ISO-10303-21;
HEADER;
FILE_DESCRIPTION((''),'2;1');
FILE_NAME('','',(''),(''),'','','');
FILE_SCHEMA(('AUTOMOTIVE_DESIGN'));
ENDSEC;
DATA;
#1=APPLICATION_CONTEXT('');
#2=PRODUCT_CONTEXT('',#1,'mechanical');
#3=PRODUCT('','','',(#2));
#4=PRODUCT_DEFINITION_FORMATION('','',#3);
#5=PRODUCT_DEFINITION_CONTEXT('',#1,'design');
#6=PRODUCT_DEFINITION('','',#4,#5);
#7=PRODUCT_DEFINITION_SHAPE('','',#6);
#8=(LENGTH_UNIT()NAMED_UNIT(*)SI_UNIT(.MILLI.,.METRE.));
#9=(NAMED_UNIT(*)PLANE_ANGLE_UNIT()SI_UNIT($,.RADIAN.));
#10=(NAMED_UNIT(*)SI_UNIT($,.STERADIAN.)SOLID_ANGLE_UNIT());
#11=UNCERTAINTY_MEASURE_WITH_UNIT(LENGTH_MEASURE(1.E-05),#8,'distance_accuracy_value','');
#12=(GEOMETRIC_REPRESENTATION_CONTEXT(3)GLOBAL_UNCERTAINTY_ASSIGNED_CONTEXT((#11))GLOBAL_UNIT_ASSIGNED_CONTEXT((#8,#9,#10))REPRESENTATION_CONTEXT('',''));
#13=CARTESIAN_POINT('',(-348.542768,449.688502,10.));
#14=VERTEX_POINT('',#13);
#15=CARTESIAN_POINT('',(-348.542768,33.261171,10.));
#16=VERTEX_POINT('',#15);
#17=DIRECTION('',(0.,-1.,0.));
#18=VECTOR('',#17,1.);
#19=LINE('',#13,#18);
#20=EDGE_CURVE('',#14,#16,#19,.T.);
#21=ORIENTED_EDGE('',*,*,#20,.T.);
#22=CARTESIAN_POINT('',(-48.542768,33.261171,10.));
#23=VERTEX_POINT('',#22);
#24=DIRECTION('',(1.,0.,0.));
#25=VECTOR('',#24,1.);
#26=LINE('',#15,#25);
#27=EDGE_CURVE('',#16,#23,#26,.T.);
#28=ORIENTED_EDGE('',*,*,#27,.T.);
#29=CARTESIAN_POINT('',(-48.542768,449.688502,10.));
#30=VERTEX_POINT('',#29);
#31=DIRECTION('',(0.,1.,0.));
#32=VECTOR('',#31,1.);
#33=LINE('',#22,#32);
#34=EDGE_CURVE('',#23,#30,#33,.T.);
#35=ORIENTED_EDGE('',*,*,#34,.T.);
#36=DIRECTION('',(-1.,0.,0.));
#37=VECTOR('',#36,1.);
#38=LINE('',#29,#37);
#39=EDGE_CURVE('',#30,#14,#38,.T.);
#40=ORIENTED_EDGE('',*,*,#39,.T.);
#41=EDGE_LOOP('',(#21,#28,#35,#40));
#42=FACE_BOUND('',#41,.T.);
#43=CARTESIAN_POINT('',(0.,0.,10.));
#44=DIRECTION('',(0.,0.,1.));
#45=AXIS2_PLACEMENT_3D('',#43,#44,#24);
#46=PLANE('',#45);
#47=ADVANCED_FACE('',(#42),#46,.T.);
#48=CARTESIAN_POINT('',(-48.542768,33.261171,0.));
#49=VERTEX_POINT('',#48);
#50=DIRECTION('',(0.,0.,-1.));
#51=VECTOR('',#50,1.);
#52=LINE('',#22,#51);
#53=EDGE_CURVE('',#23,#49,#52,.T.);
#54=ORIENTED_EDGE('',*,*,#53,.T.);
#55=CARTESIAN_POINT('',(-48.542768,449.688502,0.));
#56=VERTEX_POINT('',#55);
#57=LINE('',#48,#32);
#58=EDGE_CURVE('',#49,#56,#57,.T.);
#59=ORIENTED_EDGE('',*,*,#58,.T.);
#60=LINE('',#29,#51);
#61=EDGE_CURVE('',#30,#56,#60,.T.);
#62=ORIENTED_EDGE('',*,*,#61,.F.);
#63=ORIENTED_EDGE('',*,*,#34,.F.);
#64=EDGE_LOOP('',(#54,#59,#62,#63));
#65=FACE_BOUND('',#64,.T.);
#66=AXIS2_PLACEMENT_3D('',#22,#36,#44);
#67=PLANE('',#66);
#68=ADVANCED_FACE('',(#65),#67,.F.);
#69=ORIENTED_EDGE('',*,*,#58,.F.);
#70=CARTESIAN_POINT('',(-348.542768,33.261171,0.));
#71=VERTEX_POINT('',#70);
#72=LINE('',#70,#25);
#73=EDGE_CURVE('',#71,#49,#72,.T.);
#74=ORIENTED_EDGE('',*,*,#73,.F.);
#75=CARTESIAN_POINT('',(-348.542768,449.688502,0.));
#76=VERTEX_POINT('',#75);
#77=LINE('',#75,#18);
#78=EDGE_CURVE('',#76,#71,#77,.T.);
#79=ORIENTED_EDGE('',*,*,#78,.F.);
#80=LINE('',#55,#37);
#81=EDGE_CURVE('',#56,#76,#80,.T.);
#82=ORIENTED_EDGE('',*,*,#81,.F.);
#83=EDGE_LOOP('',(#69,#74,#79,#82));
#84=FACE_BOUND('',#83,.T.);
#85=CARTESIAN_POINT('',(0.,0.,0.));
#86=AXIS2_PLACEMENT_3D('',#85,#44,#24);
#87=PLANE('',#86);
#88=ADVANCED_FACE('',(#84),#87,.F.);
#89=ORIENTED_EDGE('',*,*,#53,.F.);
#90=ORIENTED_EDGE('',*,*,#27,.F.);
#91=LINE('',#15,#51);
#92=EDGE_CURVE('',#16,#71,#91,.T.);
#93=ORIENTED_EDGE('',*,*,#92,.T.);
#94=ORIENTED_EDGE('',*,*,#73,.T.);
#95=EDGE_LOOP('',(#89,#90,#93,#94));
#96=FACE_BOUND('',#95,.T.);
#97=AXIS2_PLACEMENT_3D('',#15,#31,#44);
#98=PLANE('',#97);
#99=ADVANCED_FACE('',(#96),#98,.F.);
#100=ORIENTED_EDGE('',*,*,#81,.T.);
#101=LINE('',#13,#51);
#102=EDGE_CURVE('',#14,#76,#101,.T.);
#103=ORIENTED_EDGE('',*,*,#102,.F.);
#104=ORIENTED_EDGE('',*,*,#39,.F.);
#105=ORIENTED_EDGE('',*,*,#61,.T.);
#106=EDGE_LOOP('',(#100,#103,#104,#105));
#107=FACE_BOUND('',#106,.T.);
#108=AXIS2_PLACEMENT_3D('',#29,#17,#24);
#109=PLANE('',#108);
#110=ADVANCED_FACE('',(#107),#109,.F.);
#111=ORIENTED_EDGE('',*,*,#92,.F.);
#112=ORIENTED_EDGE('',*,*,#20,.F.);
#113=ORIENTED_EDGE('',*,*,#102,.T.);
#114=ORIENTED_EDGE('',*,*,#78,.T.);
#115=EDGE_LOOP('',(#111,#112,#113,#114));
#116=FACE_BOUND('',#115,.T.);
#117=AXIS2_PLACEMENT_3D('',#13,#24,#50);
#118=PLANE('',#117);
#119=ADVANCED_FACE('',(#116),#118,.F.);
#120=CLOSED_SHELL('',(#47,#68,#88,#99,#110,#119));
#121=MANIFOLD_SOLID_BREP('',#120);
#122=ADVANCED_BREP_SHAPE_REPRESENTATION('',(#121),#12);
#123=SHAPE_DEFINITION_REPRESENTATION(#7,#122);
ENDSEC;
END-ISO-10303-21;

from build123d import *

# Parameters (mm, degrees)
SKETCH_1_W      = 300
SKETCH_1_H      = 416.427331112
EXTRUDE_1_DEPTH = 10


with BuildPart() as part:
    # 草图1 → 凸台-拉伸1 (new body)
    with BuildSketch(Plane.XY):
        with Locations((-198.542768428, 241.474836236)):
            Rectangle(SKETCH_1_W, SKETCH_1_H)
    extrude(amount=EXTRUDE_1_DEPTH)


solid = part.part
